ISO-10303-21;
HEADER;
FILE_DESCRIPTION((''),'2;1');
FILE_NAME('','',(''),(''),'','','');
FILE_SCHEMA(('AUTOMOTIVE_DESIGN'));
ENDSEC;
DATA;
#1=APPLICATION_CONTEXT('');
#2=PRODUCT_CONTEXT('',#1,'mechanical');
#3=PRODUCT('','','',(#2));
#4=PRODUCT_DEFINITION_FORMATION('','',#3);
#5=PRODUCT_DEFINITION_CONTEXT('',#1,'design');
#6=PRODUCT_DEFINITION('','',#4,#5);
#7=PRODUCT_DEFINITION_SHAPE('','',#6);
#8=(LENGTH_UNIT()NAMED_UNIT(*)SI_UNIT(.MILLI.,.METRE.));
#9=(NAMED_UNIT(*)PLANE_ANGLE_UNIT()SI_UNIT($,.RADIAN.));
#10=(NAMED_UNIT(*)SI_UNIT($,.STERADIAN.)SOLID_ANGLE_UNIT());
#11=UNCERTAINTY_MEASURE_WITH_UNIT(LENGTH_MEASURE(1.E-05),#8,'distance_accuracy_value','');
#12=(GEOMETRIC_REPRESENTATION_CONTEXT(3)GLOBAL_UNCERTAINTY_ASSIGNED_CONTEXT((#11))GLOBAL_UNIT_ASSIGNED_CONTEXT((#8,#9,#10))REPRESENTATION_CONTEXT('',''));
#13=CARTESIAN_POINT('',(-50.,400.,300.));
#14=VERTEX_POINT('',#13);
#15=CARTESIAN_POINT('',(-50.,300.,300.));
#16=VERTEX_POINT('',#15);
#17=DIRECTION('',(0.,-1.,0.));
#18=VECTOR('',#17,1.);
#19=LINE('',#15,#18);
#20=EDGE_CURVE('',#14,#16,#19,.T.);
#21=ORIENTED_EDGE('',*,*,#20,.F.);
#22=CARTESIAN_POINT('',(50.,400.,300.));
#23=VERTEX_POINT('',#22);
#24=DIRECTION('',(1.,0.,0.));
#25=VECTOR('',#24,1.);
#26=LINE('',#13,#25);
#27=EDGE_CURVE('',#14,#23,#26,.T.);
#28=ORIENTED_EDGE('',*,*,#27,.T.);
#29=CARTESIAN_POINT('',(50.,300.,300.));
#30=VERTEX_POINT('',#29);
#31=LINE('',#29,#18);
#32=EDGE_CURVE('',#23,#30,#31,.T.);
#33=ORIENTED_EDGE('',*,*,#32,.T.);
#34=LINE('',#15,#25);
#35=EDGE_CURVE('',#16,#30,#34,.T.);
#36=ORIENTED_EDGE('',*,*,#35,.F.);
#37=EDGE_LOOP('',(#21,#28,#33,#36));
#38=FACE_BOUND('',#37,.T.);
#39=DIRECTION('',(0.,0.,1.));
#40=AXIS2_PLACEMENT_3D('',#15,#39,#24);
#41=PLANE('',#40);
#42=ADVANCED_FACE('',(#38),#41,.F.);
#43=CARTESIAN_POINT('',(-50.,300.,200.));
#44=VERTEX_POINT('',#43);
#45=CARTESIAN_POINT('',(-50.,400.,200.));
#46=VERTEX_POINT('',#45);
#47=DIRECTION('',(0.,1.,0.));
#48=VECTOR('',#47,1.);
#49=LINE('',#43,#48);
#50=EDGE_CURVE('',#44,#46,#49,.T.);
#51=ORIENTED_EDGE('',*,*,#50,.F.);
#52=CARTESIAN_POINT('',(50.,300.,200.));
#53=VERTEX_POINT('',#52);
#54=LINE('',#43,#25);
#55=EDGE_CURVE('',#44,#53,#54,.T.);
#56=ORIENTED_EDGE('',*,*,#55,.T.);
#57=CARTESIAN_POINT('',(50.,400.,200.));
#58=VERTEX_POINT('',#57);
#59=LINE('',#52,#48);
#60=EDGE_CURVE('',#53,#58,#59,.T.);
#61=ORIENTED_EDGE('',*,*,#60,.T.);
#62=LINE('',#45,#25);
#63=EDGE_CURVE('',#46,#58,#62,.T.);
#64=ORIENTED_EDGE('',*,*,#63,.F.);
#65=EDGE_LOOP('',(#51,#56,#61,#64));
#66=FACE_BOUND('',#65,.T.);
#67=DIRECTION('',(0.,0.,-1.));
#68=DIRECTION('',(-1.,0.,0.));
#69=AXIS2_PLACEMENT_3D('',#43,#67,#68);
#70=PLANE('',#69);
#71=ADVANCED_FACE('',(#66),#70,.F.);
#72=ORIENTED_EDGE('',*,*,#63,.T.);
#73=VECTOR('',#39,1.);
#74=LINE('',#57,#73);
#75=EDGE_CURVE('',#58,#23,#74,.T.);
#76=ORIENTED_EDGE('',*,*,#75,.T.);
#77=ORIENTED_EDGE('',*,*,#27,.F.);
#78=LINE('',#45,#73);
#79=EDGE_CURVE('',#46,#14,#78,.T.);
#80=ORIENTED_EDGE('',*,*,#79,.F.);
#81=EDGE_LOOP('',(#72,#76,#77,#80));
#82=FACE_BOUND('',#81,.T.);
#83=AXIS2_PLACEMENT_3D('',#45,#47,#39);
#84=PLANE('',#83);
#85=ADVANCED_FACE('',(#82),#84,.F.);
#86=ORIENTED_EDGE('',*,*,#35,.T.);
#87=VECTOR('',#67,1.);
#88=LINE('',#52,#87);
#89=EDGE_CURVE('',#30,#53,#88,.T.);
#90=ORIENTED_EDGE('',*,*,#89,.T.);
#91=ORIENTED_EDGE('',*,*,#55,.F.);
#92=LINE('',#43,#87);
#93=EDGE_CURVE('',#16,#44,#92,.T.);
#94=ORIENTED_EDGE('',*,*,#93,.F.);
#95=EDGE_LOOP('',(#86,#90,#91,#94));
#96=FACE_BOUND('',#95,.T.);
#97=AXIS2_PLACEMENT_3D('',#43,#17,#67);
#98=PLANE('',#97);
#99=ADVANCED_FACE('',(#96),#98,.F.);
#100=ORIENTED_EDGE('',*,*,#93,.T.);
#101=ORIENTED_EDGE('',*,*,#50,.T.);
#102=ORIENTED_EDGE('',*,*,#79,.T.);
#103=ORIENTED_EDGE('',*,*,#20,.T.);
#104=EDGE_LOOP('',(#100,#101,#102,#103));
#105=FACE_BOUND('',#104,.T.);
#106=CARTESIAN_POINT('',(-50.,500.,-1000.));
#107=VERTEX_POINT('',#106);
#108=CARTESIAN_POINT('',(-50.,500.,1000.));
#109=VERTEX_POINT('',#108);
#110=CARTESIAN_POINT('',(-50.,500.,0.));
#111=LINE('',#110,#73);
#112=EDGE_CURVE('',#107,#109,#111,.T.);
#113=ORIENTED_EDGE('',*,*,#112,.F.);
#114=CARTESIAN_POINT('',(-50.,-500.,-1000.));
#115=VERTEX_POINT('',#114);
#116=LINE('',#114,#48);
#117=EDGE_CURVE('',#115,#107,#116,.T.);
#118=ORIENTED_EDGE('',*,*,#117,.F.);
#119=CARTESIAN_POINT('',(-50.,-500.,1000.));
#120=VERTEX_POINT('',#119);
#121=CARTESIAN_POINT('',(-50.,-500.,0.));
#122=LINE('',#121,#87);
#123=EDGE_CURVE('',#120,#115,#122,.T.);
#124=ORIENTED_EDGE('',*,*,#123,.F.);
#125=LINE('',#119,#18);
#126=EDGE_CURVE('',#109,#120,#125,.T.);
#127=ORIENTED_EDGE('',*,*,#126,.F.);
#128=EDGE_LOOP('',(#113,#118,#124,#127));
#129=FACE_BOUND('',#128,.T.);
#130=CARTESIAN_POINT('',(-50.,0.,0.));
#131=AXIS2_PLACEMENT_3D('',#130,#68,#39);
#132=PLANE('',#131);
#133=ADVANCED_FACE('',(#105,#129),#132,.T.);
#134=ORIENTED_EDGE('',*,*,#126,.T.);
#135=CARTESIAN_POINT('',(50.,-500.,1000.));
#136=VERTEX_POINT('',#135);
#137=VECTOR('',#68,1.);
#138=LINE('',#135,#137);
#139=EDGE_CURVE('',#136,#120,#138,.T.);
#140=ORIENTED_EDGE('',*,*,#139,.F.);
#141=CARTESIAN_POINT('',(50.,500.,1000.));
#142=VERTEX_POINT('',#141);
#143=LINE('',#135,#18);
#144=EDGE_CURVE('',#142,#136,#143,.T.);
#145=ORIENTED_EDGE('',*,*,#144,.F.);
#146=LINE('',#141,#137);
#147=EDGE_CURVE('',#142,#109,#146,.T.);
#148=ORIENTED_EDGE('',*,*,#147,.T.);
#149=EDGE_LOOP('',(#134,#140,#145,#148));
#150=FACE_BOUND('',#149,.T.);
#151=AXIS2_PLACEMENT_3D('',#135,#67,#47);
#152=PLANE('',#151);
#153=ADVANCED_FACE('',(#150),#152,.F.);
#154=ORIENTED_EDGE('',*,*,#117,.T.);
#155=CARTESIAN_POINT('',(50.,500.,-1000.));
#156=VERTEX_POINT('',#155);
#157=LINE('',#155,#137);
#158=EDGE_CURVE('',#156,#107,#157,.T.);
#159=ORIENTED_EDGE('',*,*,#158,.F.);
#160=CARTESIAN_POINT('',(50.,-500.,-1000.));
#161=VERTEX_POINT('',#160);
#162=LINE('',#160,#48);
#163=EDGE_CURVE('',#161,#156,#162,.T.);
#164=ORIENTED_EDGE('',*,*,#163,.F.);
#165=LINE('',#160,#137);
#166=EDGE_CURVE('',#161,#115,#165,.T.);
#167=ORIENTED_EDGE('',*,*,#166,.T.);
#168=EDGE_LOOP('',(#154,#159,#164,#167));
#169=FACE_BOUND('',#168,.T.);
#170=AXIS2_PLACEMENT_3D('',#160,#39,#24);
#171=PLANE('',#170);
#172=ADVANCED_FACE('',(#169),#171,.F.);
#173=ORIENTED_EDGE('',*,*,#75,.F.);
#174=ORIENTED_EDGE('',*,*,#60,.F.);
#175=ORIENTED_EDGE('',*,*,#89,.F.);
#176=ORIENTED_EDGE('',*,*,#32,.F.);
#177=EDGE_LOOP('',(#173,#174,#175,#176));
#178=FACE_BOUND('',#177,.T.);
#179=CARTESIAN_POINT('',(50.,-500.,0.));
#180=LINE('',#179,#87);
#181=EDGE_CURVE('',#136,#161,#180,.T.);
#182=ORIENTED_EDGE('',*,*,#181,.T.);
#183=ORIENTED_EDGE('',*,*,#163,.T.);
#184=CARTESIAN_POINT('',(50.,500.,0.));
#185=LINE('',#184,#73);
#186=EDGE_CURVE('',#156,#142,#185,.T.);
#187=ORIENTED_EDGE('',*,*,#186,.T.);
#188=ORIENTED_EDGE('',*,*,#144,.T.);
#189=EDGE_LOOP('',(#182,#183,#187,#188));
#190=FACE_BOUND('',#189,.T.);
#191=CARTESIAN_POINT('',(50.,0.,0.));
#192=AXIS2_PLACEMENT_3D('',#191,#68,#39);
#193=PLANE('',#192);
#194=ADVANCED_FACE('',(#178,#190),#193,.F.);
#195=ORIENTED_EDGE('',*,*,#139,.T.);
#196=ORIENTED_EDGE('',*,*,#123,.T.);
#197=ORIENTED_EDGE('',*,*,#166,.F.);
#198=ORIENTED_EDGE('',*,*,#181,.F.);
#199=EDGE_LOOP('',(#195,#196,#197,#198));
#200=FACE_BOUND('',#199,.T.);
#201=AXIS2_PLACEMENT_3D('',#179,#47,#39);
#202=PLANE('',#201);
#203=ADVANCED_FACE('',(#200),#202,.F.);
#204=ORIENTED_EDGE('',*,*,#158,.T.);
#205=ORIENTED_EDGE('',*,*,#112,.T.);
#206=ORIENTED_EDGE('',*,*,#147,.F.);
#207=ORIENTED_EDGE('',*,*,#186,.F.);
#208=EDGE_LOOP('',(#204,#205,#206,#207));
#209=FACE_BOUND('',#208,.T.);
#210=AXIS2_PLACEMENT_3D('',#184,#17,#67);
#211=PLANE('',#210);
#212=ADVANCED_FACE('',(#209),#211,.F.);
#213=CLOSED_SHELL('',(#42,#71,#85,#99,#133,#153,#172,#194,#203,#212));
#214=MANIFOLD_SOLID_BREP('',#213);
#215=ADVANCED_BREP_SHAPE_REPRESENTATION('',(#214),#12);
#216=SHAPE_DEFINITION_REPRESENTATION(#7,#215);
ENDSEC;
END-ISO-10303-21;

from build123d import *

# Parameters (mm, degrees)
SKETCH1_W           = 1000
SKETCH1_H           = 1000
BOSS_EXTRUDE1_DEPTH = 50
SKETCH2_W           = 100
SKETCH2_H           = 100
CUT_EXTRUDE1_DEPTH  = 1123.497216032
SKETCH3_W           = 1000
SKETCH3_H           = 1000
BOSS_EXTRUDE2_DEPTH = 50


with BuildPart() as part:
    # Sketch1 → Boss-Extrude1 (new, symmetric)
    with BuildSketch(Plane.YZ):
        with Locations((0, 500)):
            Rectangle(SKETCH1_W, SKETCH1_H)
    extrude(amount=BOSS_EXTRUDE1_DEPTH, both=True)

    # Sketch2 → Cut-Extrude1 (cut, through all)
    with BuildSketch(Plane(origin=(50, 0, 0), x_dir=(0, 0, -1), z_dir=(1, 0, 0))):
        with Locations((-250, 350)):
            Rectangle(SKETCH2_W, SKETCH2_H)
    extrude(amount=-CUT_EXTRUDE1_DEPTH, mode=Mode.SUBTRACT)

    # Sketch3 → Boss-Extrude2 (add, symmetric)
    with BuildSketch(Plane.YZ):
        with Locations((0, -500)):
            Rectangle(SKETCH3_W, SKETCH3_H)
    extrude(amount=BOSS_EXTRUDE2_DEPTH, both=True)


solid = part.part
